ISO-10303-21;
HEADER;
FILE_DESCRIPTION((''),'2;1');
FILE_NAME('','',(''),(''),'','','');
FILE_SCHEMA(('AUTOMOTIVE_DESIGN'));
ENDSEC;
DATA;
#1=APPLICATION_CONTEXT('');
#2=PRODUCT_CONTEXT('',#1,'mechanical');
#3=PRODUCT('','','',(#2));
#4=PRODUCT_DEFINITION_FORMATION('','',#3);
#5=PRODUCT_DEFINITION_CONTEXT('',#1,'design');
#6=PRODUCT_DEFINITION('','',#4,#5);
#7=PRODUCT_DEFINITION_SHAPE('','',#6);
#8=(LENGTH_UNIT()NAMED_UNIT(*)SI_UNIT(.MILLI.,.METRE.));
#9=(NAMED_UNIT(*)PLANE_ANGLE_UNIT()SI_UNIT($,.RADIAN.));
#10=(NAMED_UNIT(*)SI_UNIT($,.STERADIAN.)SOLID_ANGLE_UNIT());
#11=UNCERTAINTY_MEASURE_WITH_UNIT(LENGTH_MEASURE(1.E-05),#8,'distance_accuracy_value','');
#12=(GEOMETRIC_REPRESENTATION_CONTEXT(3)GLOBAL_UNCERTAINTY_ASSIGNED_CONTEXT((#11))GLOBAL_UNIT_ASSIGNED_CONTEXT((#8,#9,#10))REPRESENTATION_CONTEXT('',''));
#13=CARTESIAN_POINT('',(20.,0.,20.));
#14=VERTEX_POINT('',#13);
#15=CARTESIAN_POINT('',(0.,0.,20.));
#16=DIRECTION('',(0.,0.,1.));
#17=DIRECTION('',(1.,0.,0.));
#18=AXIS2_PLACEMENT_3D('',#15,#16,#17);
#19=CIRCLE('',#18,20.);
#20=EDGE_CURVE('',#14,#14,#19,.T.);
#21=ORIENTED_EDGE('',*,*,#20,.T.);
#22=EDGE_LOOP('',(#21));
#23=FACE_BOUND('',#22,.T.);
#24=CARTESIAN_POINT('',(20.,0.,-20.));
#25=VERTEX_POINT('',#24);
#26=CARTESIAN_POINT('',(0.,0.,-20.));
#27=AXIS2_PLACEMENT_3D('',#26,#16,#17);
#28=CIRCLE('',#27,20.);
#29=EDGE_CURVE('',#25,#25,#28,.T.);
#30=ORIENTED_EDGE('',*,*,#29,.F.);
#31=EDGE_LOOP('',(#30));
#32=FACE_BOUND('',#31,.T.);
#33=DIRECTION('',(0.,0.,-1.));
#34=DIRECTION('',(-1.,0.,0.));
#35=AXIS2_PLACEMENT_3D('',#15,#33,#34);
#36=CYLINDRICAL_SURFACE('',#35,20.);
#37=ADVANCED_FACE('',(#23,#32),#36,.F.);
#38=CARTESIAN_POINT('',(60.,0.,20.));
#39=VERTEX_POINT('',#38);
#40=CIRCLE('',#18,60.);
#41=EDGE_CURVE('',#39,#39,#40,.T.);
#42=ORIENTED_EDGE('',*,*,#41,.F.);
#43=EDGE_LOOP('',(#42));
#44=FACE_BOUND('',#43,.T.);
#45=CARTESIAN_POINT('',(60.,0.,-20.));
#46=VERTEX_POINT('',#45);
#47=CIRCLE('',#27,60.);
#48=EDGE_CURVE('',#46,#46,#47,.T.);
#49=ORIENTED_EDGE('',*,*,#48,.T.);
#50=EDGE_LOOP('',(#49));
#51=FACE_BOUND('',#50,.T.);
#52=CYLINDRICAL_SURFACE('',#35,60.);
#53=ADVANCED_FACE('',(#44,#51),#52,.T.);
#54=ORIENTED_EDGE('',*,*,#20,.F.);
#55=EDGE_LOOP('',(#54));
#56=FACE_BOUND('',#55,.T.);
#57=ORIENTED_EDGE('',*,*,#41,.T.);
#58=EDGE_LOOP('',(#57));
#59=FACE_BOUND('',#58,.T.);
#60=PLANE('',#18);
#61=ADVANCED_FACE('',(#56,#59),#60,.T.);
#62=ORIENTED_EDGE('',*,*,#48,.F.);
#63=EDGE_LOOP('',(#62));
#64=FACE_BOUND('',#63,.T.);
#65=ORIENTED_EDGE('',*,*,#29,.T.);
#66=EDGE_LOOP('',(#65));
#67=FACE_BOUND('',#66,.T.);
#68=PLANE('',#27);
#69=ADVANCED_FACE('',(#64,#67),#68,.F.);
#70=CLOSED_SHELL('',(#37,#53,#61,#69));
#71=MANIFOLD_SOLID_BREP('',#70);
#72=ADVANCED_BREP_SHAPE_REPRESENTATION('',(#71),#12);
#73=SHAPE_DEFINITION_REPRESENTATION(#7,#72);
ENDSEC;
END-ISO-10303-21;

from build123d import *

# Parameters (mm, degrees)
SKETCH1_R           = 60
SKETCH1_R_2         = 20
BOSS_EXTRUDE1_DEPTH = 20


with BuildPart() as part:
    # Sketch1 → Boss-Extrude1 (new body, symmetric)
    with BuildSketch(Plane.XY):
        Circle(SKETCH1_R)
        Circle(SKETCH1_R_2, mode=Mode.SUBTRACT)
    extrude(amount=BOSS_EXTRUDE1_DEPTH, both=True)


solid = part.part
